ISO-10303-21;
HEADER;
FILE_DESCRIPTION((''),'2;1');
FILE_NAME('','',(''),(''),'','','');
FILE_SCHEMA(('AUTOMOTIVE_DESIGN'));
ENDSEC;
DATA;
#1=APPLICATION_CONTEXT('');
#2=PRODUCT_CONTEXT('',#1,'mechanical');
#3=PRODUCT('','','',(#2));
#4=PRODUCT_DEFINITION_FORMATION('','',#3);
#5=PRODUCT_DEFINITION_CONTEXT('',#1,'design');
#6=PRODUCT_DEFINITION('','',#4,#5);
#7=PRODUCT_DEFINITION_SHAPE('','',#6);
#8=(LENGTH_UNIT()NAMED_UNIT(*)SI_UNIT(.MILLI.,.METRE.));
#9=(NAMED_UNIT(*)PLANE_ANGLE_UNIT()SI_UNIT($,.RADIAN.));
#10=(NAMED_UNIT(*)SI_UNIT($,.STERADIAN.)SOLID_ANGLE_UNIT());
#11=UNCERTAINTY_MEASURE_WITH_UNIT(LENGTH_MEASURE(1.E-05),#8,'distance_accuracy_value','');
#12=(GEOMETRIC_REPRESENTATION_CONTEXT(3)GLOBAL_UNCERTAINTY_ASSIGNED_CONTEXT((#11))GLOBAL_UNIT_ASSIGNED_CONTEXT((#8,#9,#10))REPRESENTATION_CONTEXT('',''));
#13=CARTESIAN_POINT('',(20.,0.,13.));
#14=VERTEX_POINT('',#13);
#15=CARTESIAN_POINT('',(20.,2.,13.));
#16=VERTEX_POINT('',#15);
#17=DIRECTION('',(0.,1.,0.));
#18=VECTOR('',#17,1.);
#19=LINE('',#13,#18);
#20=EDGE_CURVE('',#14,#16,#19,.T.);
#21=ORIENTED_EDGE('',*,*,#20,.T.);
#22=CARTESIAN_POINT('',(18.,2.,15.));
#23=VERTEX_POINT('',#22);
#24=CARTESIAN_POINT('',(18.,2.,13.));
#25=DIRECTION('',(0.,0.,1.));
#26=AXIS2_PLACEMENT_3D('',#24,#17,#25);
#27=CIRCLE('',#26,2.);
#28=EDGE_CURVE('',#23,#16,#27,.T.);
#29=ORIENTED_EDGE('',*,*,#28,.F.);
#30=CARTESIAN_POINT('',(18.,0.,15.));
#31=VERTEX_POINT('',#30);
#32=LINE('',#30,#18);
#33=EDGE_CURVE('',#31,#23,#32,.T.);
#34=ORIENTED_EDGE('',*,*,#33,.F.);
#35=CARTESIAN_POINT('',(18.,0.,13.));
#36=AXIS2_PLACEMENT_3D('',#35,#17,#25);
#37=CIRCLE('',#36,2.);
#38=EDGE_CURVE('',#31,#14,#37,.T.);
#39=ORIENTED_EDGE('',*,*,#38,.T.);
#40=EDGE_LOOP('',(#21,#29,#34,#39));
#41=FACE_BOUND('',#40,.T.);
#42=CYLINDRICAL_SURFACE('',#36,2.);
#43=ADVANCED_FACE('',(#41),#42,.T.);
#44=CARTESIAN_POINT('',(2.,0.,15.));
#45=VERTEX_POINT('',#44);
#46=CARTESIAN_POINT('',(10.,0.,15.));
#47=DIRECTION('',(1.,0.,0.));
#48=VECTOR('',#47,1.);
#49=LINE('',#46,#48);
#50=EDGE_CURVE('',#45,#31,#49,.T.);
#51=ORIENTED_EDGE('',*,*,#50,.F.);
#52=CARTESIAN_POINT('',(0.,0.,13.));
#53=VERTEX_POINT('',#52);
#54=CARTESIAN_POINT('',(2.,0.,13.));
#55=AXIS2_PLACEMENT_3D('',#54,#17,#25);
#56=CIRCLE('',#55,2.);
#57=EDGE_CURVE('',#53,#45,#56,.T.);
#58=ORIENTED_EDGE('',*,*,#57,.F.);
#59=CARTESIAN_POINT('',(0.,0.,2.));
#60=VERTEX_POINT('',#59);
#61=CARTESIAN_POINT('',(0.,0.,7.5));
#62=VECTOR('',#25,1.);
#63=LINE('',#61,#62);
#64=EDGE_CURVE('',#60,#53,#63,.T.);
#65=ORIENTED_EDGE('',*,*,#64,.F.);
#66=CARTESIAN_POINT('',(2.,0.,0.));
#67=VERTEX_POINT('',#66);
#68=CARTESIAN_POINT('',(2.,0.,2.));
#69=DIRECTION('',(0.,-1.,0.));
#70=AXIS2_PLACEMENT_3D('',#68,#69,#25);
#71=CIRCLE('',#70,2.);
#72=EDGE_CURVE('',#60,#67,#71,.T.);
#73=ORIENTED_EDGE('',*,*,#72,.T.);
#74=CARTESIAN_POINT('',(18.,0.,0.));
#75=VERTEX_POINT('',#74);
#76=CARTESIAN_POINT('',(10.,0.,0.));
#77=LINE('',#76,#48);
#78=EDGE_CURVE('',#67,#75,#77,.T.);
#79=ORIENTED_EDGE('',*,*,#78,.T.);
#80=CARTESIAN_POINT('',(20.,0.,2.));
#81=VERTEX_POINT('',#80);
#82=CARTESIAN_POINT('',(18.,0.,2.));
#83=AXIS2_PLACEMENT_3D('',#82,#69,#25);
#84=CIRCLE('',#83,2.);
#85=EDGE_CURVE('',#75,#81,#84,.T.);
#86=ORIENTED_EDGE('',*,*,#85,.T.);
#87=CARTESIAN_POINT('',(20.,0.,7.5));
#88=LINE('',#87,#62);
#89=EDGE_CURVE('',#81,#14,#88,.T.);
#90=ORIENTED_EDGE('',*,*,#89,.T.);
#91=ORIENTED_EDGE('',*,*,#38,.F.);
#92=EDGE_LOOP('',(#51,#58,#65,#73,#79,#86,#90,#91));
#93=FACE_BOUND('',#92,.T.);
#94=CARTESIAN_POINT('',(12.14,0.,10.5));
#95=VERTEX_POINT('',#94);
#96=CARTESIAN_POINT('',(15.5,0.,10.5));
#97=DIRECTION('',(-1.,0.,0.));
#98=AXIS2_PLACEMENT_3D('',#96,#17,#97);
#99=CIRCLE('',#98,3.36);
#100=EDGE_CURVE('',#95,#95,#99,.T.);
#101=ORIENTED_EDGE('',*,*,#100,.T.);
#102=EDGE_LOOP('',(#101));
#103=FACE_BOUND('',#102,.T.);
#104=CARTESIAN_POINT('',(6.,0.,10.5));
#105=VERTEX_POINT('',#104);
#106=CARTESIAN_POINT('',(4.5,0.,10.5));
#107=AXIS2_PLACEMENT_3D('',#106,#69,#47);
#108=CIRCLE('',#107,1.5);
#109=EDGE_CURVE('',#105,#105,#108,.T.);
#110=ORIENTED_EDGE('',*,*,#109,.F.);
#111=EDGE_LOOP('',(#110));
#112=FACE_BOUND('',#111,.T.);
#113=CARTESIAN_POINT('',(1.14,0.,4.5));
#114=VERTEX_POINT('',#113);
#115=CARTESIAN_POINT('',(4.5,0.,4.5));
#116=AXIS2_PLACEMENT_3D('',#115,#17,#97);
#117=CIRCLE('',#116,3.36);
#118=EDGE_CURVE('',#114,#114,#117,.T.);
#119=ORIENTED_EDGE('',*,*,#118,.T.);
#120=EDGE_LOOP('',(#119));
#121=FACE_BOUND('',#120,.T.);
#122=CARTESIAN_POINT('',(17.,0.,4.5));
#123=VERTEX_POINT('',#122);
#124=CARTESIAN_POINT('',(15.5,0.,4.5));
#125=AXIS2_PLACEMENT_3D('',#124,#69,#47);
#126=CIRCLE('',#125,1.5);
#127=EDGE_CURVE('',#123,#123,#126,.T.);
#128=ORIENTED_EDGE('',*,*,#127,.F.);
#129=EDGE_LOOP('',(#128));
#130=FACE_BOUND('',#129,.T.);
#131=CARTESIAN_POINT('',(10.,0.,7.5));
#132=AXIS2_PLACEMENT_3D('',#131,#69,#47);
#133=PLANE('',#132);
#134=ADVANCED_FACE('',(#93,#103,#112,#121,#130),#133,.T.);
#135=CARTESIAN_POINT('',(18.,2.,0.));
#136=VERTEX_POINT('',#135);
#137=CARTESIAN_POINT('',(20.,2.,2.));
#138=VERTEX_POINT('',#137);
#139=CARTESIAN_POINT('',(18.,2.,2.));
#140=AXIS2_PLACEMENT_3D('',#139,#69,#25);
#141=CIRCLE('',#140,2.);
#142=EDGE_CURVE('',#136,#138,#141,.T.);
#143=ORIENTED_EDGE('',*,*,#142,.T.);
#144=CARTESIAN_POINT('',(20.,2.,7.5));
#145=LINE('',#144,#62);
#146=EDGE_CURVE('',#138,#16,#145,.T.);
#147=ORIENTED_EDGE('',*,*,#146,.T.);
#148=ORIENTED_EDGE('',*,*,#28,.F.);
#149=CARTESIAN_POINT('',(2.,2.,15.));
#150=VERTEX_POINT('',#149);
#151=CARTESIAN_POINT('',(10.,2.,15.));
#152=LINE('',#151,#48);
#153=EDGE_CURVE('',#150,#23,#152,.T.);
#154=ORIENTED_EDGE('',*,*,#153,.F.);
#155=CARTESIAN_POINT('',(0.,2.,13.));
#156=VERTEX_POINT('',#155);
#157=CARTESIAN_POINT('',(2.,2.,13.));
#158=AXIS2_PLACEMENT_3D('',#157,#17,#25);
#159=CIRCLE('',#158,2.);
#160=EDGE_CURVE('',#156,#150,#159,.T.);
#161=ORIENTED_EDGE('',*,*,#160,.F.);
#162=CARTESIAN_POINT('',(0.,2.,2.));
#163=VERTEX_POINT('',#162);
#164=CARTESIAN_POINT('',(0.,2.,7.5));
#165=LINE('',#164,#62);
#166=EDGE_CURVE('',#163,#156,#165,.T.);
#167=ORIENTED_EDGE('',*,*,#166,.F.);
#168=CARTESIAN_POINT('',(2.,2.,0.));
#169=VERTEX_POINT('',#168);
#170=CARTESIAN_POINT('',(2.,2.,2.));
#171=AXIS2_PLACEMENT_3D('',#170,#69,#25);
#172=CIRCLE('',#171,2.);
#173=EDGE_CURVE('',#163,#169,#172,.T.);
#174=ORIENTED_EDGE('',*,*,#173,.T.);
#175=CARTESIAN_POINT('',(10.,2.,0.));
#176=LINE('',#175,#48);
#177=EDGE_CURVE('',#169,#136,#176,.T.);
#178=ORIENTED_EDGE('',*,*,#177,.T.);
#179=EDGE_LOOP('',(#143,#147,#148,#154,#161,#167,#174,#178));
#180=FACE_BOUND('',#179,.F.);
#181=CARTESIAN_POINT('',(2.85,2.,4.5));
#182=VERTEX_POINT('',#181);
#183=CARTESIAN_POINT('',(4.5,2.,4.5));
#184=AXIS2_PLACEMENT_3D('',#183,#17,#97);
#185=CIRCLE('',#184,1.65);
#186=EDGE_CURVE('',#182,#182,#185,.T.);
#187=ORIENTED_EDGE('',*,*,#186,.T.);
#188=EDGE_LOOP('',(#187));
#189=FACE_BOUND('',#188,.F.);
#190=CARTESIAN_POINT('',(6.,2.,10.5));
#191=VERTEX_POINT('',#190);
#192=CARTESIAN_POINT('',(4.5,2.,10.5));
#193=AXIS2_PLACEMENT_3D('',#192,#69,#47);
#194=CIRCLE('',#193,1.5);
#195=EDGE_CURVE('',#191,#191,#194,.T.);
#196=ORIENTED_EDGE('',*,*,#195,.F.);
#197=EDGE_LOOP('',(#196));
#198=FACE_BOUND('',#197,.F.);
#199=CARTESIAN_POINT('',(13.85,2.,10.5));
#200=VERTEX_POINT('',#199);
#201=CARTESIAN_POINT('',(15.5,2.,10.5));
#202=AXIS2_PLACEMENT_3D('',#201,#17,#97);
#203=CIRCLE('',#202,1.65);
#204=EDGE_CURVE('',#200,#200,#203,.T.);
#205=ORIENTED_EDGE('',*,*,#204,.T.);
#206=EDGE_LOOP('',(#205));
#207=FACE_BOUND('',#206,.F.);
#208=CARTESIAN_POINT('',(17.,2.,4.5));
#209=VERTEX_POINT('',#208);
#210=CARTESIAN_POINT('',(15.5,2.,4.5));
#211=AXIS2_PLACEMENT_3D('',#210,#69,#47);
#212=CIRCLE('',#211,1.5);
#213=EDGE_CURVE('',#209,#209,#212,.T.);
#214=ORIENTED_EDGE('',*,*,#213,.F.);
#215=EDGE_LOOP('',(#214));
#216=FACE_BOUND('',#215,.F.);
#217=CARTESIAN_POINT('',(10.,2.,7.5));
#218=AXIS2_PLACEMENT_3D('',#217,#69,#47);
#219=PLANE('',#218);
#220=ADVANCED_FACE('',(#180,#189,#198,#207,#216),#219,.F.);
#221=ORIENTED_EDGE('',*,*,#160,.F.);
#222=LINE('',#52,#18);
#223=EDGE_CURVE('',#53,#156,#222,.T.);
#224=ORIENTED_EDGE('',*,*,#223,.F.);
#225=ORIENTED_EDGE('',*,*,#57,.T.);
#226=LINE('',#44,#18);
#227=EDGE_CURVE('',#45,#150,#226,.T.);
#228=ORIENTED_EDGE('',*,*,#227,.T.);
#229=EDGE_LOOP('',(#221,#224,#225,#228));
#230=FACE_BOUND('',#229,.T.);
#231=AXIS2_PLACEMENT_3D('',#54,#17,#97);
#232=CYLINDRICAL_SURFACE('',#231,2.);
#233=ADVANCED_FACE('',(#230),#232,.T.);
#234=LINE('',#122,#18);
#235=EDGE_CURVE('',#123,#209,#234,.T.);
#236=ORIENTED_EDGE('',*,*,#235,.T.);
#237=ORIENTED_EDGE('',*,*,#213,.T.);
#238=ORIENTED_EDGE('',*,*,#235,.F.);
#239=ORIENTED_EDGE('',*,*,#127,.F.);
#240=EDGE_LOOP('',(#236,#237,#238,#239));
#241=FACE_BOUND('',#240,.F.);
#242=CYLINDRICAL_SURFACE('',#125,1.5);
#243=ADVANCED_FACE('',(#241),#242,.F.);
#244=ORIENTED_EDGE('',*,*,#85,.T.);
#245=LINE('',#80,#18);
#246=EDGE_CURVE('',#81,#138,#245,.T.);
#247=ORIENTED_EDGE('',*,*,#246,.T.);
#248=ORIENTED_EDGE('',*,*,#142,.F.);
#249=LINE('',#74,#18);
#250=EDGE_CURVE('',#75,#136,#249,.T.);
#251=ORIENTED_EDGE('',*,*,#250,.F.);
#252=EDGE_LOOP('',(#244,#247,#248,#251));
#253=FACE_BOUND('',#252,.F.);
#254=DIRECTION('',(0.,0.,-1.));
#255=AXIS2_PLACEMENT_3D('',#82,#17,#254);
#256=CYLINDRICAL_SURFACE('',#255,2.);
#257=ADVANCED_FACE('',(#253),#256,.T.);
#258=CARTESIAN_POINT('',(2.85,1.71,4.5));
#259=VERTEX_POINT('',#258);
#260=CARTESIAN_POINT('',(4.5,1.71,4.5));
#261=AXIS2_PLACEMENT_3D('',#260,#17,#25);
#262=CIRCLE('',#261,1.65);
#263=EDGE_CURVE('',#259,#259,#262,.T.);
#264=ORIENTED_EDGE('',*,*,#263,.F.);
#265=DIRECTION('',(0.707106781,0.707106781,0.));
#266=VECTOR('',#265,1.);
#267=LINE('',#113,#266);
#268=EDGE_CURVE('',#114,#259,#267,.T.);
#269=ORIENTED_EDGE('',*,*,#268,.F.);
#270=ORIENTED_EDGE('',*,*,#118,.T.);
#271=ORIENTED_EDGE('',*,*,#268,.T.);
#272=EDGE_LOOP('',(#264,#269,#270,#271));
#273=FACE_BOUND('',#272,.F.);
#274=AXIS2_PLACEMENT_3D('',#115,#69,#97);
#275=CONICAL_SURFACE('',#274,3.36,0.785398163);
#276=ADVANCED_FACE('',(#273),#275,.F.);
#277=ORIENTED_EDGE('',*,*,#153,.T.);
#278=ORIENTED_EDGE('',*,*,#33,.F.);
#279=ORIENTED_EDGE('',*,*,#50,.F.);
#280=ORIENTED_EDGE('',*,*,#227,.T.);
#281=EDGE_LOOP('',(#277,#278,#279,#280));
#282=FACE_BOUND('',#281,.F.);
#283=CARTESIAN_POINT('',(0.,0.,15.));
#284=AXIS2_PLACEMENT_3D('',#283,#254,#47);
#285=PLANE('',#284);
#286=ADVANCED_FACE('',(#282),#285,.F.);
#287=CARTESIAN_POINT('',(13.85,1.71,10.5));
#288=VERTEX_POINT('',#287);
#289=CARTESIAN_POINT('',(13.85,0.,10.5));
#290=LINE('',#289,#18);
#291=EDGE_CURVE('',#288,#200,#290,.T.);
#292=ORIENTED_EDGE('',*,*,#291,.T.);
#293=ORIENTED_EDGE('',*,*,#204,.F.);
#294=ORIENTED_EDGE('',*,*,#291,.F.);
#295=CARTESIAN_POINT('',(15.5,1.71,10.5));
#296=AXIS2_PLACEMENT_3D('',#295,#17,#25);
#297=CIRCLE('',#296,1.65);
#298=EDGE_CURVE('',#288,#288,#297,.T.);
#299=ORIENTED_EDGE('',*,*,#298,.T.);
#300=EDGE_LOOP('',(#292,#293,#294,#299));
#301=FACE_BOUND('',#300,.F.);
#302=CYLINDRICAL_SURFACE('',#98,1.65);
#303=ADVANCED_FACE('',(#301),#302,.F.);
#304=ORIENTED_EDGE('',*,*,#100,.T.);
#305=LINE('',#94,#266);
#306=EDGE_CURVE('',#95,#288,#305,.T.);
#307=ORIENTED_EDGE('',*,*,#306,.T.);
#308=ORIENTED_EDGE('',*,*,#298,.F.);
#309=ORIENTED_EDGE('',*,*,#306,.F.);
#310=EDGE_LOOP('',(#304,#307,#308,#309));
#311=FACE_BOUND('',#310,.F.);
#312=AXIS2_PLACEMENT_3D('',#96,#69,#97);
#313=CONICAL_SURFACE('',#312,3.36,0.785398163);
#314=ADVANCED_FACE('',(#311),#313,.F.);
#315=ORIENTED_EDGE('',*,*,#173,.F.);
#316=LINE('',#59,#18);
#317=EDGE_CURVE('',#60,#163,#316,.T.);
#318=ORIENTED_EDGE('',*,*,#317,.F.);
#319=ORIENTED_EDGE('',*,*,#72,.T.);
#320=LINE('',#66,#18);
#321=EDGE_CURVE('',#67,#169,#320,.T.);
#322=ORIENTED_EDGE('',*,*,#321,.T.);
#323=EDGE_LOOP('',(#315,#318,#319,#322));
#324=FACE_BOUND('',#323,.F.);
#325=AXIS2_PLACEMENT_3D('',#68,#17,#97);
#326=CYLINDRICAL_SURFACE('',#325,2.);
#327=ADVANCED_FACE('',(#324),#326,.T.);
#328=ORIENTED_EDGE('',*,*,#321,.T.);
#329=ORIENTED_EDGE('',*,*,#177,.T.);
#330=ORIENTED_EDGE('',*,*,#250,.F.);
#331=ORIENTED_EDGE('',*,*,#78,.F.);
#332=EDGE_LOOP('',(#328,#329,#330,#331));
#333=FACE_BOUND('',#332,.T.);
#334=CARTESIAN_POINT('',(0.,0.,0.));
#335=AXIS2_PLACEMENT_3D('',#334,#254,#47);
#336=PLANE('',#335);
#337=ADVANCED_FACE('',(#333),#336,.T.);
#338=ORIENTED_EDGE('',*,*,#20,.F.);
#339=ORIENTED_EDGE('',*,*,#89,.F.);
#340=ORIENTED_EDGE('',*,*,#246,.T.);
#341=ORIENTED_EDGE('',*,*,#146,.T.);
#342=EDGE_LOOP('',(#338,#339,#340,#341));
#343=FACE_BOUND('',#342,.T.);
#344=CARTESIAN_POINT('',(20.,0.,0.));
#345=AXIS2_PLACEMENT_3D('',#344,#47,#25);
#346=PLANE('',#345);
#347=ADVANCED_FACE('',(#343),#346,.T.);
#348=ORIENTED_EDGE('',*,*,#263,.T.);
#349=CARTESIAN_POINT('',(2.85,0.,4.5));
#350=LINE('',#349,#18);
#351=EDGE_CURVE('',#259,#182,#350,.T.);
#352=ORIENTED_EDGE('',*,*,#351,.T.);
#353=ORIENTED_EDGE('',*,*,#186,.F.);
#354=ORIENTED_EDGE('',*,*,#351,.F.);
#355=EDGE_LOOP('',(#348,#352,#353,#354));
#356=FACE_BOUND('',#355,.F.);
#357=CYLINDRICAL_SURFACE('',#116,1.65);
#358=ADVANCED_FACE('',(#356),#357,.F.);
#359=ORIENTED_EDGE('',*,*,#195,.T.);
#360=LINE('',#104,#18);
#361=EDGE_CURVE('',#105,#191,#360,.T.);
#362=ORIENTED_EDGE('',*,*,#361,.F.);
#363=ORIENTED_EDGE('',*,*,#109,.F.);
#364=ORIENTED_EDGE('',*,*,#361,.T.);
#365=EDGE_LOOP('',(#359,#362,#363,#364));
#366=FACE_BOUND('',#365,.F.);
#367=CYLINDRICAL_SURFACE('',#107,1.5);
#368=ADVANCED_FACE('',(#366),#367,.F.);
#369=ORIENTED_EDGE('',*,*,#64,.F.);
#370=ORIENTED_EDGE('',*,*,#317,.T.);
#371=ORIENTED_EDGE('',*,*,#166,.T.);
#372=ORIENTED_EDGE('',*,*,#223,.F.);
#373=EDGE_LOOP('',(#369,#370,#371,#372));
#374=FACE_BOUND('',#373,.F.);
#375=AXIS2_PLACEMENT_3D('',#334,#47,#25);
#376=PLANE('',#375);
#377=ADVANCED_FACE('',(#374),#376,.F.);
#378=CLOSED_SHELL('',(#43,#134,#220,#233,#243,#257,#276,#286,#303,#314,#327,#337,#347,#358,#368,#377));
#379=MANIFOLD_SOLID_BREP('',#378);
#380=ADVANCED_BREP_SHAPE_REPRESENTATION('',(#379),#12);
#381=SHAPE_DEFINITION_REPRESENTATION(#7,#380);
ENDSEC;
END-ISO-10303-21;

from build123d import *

# Parameters (mm, degrees)
F0_W           = 20
F0_H           = 15
F1_DEPTH       = 2
F3_D           = 3.3
F3_CSINK_D     = 6.72
F3_CSINK_ANGLE = 90
F4_R           = 1.5
F5_DEPTH       = 2.001
F6_R           = 2


with BuildPart() as f1:
    # F0 (on Front) → F1 (new body)
    with BuildSketch(Plane.XZ):
        with Locations((10, 7.5)):
            Rectangle(F0_W, F0_H)
    extrude(amount=-F1_DEPTH)

    # F3 (through all)
    with Locations(Plane.XZ):
        with Locations((15.5, 10.5), (4.5, 4.5)):
            CounterSinkHole(F3_D / 2, F3_CSINK_D / 2, counter_sink_angle=F3_CSINK_ANGLE)

    # F4 (on face) → F5 (cut, through all)
    with BuildSketch(Plane.XZ):
        with Locations((15.5, 4.5)):
            Circle(F4_R)
        with Locations((4.5, 10.5)):
            Circle(F4_R)
    extrude(amount=-F5_DEPTH, mode=Mode.SUBTRACT)

    # F6
    f6_edges = [f1.edges().sort_by_distance(p)[0] for p in [
        (20, 1, 15),
        (0, 1, 15),
        (20, 1, 0),
        (0, 1, 0),
    ]]
    fillet(f6_edges, radius=F6_R)


solid = f1.part
